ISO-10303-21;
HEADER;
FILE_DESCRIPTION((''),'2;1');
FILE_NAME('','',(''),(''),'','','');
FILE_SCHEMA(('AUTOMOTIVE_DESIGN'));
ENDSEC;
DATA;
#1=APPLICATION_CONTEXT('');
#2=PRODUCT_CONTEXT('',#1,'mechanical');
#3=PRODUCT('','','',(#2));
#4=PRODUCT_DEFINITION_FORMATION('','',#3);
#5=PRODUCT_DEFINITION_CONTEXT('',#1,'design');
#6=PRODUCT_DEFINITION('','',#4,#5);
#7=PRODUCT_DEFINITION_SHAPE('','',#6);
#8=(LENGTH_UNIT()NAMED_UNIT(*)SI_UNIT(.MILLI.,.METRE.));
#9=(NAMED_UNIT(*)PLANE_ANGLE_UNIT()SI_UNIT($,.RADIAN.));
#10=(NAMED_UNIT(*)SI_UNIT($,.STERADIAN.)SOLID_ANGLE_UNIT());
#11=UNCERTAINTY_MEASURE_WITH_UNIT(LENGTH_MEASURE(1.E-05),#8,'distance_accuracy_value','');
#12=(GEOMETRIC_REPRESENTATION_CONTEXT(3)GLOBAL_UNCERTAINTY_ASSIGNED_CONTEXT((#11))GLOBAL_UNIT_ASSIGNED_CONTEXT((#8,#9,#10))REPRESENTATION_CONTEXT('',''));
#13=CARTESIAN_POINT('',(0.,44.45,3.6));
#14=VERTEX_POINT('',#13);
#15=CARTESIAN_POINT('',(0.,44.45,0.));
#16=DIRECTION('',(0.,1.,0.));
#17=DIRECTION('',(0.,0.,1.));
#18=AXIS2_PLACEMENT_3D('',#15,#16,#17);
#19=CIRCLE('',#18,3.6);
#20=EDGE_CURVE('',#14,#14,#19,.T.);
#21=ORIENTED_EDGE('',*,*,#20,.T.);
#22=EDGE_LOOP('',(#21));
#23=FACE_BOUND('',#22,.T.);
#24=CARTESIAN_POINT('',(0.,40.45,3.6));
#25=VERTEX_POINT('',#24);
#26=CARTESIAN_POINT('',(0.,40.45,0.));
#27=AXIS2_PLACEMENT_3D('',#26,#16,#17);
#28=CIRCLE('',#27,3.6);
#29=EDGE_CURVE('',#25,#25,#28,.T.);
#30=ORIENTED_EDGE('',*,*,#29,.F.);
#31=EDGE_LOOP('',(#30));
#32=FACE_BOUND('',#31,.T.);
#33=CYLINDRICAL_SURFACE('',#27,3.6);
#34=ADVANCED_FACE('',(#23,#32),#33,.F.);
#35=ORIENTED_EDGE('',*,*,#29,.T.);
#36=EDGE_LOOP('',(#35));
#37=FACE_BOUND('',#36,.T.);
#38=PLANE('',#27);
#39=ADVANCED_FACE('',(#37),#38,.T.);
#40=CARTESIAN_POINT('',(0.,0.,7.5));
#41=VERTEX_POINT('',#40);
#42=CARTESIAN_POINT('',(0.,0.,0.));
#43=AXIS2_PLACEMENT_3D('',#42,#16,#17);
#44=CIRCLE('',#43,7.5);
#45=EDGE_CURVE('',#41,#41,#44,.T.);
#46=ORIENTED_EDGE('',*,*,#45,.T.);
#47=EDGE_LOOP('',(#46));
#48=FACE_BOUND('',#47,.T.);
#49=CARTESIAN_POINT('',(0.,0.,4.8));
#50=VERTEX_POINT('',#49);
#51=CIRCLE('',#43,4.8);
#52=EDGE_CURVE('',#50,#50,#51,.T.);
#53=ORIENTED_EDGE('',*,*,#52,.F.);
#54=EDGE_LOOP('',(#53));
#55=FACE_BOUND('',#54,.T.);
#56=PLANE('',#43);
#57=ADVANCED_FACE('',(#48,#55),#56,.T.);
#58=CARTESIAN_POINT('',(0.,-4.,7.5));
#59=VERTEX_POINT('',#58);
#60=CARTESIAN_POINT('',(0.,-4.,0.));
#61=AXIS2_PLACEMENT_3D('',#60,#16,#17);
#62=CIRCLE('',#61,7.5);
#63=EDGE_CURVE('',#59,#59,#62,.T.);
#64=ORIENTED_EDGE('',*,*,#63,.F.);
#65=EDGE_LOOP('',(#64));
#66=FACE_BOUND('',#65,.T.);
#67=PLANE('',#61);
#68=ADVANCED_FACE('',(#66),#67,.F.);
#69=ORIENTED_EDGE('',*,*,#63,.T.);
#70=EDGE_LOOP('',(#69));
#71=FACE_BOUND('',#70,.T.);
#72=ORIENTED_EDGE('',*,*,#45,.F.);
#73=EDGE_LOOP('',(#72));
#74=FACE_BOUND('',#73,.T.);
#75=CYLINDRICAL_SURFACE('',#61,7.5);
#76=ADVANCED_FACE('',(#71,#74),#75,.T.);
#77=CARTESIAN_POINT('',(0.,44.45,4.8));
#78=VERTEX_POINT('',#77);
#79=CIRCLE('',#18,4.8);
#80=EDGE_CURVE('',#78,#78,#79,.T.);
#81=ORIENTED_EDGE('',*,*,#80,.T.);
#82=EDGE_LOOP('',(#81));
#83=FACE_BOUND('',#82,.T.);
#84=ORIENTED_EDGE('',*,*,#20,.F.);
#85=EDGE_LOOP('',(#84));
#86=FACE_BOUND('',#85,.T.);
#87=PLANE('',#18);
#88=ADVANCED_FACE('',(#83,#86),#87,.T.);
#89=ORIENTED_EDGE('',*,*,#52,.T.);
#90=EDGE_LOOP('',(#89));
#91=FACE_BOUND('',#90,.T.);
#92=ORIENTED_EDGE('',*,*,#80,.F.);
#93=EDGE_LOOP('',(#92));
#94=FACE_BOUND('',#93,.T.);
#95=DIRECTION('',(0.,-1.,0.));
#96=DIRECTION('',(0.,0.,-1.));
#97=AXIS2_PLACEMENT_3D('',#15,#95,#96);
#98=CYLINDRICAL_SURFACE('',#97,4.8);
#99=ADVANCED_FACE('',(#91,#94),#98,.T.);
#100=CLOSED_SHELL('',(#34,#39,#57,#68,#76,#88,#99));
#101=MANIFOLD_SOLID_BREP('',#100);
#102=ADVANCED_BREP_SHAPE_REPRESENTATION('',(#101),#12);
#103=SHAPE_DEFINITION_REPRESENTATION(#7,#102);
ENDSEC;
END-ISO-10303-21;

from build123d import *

# Parameters (mm, degrees)
SKETCH1_R           = 4.8
BOSS_EXTRUDE1_DEPTH = 44.45
SKETCH1_4_R         = 7.5
BOSS_EXTRUDE2_DEPTH = 4
SKETCH2_R           = 3.6
CUT_EXTRUDE1_DEPTH  = 4


with BuildPart() as part:
    # Sketch1 → Boss-Extrude1 (new body)
    with BuildSketch(Plane(origin=(0, 0, 0), x_dir=(1, 0, 0), z_dir=(0, 1, 0))):
        Circle(SKETCH1_R)
    extrude(amount=BOSS_EXTRUDE1_DEPTH)

    # Sketch1<4> → Boss-Extrude2 (add)
    with BuildSketch(Plane(origin=(0, 0, 0), x_dir=(1, 0, 0), z_dir=(0, 1, 0))):
        Circle(SKETCH1_4_R)
    extrude(amount=-BOSS_EXTRUDE2_DEPTH)

    # Sketch2 → Cut-Extrude1 (cut)
    with BuildSketch(Plane(origin=(0, 44.45, 0), x_dir=(1, 0, 0), z_dir=(0, 1, 0))):
        Circle(SKETCH2_R)
    extrude(amount=-CUT_EXTRUDE1_DEPTH, mode=Mode.SUBTRACT)


solid = part.part
